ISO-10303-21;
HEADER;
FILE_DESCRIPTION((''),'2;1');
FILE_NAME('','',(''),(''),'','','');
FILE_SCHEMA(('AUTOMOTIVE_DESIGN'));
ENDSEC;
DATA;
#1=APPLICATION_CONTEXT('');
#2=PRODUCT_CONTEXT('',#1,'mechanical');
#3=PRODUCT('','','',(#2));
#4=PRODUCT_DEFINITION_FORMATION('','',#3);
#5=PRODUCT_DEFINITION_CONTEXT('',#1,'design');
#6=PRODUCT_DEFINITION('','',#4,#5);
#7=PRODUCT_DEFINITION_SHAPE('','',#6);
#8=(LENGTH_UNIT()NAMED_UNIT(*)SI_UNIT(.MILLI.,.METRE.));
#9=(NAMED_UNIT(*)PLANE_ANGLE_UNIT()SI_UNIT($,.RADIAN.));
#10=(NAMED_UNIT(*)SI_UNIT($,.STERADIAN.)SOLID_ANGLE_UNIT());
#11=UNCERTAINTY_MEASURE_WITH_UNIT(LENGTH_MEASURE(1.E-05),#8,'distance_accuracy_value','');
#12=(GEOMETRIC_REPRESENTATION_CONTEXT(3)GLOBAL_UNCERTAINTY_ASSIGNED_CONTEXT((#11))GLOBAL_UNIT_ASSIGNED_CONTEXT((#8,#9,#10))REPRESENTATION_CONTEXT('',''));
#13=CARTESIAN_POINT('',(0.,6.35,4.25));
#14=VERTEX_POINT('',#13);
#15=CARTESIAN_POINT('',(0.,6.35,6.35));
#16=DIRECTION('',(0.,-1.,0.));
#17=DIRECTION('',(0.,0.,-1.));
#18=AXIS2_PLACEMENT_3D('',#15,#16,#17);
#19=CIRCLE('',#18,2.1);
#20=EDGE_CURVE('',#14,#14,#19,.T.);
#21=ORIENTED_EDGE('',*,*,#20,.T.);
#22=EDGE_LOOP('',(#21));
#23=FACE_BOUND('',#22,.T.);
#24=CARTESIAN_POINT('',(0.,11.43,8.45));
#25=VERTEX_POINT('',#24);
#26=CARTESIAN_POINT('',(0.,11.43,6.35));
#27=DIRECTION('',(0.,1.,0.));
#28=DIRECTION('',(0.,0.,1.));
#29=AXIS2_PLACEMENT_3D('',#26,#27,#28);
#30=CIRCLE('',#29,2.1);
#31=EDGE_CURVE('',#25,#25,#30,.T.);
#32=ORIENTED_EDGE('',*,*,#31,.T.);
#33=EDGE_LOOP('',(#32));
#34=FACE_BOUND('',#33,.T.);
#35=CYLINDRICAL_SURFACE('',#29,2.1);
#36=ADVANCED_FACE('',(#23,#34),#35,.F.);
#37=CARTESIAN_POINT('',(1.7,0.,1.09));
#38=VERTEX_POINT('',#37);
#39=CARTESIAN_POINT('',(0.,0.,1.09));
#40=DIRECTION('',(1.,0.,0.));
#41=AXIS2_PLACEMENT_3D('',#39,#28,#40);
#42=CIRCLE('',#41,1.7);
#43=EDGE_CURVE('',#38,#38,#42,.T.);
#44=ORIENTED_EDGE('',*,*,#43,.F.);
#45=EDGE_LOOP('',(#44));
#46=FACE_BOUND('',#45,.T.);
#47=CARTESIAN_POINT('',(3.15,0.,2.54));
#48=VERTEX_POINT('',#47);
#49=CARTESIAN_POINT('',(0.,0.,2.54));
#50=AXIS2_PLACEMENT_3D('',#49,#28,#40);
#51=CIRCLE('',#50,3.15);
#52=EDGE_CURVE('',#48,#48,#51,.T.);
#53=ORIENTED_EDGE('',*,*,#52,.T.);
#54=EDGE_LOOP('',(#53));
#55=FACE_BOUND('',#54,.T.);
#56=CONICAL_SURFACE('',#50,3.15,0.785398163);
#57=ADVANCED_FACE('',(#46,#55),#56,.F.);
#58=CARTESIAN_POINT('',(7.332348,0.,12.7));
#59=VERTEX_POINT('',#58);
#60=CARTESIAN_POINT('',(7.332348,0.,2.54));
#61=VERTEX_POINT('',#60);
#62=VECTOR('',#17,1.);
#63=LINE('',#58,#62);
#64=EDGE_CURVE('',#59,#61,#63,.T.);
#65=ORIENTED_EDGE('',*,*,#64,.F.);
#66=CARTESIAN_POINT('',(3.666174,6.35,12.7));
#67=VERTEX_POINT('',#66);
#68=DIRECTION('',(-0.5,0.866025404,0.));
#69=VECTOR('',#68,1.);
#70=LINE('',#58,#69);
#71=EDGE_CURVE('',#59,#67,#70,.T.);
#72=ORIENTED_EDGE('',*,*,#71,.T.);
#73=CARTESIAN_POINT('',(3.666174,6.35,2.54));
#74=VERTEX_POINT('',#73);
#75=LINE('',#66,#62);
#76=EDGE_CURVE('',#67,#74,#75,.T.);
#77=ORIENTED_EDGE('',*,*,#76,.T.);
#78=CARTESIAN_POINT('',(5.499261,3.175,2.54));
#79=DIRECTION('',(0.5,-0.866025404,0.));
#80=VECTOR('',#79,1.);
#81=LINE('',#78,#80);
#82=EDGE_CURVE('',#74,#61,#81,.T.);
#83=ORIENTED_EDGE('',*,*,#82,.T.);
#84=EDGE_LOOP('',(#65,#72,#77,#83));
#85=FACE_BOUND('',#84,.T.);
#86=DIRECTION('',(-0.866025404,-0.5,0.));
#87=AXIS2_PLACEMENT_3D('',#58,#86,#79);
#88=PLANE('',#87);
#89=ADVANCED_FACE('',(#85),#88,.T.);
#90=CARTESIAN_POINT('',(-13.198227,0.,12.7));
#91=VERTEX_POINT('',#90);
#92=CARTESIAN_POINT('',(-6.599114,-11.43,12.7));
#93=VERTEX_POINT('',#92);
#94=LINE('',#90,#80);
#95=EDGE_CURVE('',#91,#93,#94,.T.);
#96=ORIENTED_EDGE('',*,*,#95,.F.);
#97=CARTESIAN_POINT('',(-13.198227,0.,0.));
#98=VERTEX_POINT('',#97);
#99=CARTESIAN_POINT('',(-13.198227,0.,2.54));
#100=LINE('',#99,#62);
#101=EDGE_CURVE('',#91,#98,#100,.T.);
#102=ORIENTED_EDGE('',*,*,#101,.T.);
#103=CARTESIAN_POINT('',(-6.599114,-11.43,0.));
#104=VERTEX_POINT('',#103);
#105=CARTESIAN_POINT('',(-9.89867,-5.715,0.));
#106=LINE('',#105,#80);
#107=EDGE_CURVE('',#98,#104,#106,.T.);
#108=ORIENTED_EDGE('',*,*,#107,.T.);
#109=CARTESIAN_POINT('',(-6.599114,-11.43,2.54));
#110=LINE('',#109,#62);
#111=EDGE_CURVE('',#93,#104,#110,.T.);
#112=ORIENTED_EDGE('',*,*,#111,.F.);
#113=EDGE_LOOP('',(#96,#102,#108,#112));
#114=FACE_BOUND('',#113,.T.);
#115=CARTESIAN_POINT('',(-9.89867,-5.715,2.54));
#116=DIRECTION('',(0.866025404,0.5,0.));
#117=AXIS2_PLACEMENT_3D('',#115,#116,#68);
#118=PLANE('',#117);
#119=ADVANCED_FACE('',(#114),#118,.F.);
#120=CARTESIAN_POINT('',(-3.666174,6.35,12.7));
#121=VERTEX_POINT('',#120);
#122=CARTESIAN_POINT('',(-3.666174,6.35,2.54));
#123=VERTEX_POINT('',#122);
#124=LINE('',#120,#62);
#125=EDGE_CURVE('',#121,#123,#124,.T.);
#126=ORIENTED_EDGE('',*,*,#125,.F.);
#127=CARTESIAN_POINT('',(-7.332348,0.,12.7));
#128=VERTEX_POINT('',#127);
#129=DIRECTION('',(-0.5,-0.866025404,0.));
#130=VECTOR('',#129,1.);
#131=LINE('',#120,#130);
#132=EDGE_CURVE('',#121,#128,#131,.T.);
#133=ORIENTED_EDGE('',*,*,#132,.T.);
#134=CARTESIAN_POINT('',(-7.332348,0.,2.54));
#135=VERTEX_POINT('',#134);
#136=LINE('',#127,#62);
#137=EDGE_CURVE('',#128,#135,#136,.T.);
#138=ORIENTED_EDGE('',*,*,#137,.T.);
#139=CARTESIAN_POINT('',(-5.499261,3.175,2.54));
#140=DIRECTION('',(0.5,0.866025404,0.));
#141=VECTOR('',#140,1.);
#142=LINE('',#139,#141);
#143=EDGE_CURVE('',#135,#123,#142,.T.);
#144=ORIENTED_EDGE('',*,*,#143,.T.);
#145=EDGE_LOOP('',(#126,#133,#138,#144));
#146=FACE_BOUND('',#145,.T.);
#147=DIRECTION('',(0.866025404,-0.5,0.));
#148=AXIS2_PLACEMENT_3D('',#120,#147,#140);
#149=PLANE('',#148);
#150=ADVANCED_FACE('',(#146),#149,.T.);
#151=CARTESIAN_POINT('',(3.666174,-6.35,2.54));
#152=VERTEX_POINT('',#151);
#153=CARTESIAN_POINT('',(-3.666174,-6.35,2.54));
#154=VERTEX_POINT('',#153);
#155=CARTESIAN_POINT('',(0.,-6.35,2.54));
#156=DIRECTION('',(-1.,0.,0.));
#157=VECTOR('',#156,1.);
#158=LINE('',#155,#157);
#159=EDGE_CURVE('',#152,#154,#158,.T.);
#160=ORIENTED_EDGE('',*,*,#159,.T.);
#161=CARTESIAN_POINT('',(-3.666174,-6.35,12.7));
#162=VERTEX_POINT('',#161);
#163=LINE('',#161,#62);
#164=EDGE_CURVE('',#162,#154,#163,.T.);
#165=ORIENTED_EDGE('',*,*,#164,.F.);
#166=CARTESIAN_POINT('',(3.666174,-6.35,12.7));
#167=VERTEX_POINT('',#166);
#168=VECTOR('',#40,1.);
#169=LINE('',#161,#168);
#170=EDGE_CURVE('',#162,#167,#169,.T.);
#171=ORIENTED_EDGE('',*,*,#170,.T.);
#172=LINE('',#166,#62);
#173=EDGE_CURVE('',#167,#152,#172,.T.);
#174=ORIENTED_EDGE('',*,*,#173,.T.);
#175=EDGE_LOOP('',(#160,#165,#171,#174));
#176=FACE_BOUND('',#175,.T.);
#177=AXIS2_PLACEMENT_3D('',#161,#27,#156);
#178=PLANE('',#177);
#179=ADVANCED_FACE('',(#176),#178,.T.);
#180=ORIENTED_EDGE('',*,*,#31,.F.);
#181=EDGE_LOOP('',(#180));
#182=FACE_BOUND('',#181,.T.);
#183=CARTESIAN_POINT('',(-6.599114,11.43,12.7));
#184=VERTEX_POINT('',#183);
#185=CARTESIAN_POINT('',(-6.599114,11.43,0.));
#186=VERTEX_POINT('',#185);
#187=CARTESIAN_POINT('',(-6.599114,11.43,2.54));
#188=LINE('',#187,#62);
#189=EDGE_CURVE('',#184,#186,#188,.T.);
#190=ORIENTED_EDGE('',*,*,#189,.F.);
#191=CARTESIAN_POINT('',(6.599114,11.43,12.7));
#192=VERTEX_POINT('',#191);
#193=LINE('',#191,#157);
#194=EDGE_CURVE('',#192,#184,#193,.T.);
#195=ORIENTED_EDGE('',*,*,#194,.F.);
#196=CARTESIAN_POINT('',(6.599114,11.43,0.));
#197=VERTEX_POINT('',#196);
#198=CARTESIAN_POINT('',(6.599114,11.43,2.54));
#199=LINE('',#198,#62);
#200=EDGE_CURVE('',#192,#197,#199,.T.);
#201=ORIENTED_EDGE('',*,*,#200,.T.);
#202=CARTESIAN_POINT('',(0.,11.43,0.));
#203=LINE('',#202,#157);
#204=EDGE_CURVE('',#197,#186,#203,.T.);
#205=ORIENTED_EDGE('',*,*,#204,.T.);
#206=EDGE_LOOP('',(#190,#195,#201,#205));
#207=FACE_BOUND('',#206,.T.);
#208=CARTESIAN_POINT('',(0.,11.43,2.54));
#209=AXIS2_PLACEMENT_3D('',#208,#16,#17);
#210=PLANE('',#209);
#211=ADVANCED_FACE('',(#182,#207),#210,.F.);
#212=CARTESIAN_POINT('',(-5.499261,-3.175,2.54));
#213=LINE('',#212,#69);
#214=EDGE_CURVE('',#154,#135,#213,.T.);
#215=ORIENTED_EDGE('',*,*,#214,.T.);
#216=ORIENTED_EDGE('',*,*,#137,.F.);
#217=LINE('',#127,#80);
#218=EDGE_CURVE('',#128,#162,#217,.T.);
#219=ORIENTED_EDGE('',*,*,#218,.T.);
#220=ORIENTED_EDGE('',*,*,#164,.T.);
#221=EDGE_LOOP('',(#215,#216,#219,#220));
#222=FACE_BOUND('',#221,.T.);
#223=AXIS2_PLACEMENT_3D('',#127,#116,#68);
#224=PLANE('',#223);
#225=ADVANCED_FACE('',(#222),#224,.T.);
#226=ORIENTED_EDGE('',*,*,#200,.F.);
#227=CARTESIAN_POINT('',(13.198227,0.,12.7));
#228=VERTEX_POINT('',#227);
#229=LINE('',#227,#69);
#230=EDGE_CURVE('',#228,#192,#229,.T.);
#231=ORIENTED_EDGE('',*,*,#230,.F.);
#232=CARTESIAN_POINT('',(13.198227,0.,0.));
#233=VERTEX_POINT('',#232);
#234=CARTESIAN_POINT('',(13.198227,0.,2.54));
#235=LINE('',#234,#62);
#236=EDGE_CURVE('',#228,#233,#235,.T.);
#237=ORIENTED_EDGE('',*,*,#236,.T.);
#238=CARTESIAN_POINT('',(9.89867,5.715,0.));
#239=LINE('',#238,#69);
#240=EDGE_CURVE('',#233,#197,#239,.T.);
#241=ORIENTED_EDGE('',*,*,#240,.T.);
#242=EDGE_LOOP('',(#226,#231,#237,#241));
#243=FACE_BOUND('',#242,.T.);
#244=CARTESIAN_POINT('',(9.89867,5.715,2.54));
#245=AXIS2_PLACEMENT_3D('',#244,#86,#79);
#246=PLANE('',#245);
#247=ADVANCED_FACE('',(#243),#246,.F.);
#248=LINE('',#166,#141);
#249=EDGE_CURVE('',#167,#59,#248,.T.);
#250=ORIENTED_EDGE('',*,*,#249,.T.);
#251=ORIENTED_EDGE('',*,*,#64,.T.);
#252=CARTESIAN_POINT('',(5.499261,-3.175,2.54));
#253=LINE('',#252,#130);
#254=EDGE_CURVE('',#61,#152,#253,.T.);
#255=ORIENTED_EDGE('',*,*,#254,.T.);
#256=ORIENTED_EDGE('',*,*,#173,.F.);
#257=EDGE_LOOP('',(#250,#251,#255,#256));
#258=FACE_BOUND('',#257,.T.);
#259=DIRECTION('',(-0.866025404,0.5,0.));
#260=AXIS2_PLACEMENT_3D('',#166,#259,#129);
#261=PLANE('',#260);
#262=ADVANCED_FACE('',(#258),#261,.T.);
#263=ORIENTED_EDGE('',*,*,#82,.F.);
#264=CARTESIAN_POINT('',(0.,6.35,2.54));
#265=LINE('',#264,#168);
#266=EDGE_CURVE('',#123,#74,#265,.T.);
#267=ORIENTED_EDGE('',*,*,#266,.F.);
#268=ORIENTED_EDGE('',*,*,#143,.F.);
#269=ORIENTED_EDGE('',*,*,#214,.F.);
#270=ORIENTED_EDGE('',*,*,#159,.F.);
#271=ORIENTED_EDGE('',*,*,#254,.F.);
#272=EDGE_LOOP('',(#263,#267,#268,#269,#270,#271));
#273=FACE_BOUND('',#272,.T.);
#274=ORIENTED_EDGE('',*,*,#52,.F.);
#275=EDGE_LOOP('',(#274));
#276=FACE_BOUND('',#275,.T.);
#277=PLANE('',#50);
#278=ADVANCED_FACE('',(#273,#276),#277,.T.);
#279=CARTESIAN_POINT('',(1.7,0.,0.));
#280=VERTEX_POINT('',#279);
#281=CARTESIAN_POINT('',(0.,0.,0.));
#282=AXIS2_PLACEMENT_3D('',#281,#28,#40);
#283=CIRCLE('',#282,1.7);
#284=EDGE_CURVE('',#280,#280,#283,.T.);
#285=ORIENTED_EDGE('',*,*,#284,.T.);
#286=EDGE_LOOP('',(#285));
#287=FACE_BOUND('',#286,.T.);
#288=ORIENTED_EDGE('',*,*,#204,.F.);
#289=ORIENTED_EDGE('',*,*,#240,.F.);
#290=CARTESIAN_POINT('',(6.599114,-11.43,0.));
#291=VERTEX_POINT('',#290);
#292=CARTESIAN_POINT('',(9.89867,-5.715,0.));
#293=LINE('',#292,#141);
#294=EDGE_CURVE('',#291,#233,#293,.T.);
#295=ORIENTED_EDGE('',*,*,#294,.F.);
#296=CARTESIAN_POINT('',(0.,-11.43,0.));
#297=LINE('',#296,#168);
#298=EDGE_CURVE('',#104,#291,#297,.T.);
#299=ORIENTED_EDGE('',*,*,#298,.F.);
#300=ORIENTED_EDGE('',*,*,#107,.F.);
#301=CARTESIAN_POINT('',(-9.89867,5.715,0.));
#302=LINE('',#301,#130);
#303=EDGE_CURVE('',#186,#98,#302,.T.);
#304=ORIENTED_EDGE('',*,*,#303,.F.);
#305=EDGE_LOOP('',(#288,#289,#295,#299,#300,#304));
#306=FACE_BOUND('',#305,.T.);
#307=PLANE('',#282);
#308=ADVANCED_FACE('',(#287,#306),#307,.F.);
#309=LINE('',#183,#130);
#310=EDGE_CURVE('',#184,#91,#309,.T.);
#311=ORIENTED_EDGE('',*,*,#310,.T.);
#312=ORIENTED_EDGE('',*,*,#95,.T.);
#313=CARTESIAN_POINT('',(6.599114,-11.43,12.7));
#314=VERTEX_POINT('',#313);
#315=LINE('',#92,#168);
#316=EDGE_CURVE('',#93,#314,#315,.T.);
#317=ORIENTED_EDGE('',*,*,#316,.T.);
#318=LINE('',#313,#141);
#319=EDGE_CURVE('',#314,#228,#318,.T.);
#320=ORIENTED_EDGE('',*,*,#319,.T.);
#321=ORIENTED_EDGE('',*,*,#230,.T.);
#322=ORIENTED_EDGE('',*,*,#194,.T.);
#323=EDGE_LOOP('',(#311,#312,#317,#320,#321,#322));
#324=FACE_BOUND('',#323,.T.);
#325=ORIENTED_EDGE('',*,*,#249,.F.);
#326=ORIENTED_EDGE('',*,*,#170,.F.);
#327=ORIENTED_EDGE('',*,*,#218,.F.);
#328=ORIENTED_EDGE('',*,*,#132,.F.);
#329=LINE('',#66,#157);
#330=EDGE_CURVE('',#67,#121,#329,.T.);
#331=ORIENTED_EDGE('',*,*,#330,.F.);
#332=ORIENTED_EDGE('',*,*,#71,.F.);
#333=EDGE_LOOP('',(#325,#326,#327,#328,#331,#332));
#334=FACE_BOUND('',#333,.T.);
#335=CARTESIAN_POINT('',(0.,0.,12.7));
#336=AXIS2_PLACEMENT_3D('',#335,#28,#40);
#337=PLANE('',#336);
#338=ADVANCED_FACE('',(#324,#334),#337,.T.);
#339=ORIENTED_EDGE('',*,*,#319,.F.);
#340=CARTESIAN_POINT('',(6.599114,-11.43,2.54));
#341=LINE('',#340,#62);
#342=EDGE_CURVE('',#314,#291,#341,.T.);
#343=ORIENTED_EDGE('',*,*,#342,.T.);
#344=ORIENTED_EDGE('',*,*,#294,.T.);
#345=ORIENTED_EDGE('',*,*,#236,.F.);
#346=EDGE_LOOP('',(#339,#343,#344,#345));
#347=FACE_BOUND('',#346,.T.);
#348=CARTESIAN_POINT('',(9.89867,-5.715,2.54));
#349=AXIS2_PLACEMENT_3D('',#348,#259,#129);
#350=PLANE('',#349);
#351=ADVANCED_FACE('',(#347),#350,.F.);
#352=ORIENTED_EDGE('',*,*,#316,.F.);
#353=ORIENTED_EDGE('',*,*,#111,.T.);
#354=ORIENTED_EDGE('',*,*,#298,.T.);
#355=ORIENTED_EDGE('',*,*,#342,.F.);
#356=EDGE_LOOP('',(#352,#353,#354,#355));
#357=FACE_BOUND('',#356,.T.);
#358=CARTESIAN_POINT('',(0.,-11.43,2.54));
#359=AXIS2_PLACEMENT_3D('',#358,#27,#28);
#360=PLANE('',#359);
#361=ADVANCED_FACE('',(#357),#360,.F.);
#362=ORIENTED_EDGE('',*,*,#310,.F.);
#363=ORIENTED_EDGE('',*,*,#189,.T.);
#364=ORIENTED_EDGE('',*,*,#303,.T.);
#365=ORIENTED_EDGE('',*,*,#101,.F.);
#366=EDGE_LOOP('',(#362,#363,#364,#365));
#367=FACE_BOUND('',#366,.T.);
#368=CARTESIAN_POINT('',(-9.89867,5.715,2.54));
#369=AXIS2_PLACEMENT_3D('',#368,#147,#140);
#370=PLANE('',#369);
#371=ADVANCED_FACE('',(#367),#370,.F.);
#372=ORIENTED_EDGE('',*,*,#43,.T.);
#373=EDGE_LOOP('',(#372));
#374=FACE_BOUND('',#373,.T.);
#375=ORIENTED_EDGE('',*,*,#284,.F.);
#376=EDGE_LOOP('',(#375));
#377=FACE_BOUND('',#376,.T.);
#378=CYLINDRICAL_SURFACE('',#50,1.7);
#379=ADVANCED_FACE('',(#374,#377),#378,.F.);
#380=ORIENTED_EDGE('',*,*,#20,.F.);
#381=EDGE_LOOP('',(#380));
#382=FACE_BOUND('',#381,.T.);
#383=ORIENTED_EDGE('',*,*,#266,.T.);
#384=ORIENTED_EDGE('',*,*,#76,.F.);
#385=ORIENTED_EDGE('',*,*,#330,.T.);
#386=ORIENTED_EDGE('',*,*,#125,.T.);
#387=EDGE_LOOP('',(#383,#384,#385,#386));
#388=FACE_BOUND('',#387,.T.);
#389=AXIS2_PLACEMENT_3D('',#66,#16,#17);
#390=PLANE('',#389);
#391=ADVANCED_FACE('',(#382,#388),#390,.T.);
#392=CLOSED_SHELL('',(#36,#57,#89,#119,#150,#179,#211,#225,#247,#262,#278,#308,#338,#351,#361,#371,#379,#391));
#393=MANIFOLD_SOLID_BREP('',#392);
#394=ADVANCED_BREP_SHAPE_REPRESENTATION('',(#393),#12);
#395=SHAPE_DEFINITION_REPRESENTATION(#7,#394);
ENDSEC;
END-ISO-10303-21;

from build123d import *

# Parameters (mm, degrees)
BOSS_EXTRUDE1_DEPTH                            = 2.54
CSK_FOR_M3_FLAT_HEAD_MACHINE_SCREW1_AT_2_COUNT = 2
CSK_FOR_M3_FLAT_HEAD_MACHINE_SCREW1_AT_2_PITCH = 18.548356757
BOSS_EXTRUDE2_DEPTH                            = 12.7
M5X0_8_TAPPED_HOLE1_D                          = 4.2
M5X0_8_TAPPED_HOLE1_DEPTH                      = 5.08


with BuildPart() as part:
    # Sketch1 → Boss-Extrude1 (new body)
    # profile 1 of 2: a face of its own
    with BuildSketch(Plane.XY):
        Polygon((6.599113577, -11.43), (13.198227154, 0), (6.599113577, 11.43), (-6.599113577, 11.43), (-13.198227154, 0), (-6.599113577, -11.43), align=None)
        Polygon((-3.666174209, -6.35), (3.666174209, -6.35), (7.332348419, 0), (3.666174209, 6.35), (-3.666174209, 6.35), (-7.332348419, 0), align=None, mode=Mode.SUBTRACT)
    # profile 2 of 2: a face of its own
    with BuildSketch(Plane.XY):
        Polygon((-7.332348419, 0), (-3.666174209, -6.35), (3.666174209, -6.35), (7.332348419, 0), (3.666174209, 6.35), (-3.666174209, 6.35), align=None)
    extrude(amount=BOSS_EXTRUDE1_DEPTH)

    # Sketch3 → CSK for M3 Flat Head Machine Screw1 (revolve, cut)
    with BuildSketch(Plane(origin=(0, 0, 2.54), x_dir=(0, -1, 0), z_dir=(1, 0, 0))):
        Polygon((0, 0), (0, 2.54), (1.7, 2.54), (1.7, 1.45), (3.15, 0), align=None)
    csk_for_m3_flat_head_machine_screw1 = revolve(axis=Axis((0, 0, 8.89), (0, 0, -1)), mode=Mode.SUBTRACT)

    # CSK for M3 Flat Head Machine Screw1 at 2: CSK for M3 Flat Head Machine Screw1 ×2
    with Locations(*[Vector(-0.9274068813992224, 0.37405410883101997, 0) * (i * CSK_FOR_M3_FLAT_HEAD_MACHINE_SCREW1_AT_2_PITCH) for i in range(1, CSK_FOR_M3_FLAT_HEAD_MACHINE_SCREW1_AT_2_COUNT)]):
        add(csk_for_m3_flat_head_machine_screw1, mode=Mode.SUBTRACT)

    # Sketch1<4> → Boss-Extrude2 (add)
    with BuildSketch(Plane.XY):
        Polygon((6.599113577, 11.43), (-6.599113577, 11.43), (-13.198227154, 0), (-6.599113577, -11.43), (6.599113577, -11.43), (13.198227154, 0), align=None)
        Polygon((3.666174209, -6.35), (7.332348419, 0), (3.666174209, 6.35), (-3.666174209, 6.35), (-7.332348419, 0), (-3.666174209, -6.35), align=None, mode=Mode.SUBTRACT)
    extrude(amount=BOSS_EXTRUDE2_DEPTH)

    # M5x0.8 Tapped Hole1
    with Locations(Plane(origin=(0, 11.43, 0), x_dir=(1, 0, 0), z_dir=(0, 1, 0))):
        with Locations((0, -6.35)):
            Hole(M5X0_8_TAPPED_HOLE1_D / 2, depth=M5X0_8_TAPPED_HOLE1_DEPTH)


solid = part.part
